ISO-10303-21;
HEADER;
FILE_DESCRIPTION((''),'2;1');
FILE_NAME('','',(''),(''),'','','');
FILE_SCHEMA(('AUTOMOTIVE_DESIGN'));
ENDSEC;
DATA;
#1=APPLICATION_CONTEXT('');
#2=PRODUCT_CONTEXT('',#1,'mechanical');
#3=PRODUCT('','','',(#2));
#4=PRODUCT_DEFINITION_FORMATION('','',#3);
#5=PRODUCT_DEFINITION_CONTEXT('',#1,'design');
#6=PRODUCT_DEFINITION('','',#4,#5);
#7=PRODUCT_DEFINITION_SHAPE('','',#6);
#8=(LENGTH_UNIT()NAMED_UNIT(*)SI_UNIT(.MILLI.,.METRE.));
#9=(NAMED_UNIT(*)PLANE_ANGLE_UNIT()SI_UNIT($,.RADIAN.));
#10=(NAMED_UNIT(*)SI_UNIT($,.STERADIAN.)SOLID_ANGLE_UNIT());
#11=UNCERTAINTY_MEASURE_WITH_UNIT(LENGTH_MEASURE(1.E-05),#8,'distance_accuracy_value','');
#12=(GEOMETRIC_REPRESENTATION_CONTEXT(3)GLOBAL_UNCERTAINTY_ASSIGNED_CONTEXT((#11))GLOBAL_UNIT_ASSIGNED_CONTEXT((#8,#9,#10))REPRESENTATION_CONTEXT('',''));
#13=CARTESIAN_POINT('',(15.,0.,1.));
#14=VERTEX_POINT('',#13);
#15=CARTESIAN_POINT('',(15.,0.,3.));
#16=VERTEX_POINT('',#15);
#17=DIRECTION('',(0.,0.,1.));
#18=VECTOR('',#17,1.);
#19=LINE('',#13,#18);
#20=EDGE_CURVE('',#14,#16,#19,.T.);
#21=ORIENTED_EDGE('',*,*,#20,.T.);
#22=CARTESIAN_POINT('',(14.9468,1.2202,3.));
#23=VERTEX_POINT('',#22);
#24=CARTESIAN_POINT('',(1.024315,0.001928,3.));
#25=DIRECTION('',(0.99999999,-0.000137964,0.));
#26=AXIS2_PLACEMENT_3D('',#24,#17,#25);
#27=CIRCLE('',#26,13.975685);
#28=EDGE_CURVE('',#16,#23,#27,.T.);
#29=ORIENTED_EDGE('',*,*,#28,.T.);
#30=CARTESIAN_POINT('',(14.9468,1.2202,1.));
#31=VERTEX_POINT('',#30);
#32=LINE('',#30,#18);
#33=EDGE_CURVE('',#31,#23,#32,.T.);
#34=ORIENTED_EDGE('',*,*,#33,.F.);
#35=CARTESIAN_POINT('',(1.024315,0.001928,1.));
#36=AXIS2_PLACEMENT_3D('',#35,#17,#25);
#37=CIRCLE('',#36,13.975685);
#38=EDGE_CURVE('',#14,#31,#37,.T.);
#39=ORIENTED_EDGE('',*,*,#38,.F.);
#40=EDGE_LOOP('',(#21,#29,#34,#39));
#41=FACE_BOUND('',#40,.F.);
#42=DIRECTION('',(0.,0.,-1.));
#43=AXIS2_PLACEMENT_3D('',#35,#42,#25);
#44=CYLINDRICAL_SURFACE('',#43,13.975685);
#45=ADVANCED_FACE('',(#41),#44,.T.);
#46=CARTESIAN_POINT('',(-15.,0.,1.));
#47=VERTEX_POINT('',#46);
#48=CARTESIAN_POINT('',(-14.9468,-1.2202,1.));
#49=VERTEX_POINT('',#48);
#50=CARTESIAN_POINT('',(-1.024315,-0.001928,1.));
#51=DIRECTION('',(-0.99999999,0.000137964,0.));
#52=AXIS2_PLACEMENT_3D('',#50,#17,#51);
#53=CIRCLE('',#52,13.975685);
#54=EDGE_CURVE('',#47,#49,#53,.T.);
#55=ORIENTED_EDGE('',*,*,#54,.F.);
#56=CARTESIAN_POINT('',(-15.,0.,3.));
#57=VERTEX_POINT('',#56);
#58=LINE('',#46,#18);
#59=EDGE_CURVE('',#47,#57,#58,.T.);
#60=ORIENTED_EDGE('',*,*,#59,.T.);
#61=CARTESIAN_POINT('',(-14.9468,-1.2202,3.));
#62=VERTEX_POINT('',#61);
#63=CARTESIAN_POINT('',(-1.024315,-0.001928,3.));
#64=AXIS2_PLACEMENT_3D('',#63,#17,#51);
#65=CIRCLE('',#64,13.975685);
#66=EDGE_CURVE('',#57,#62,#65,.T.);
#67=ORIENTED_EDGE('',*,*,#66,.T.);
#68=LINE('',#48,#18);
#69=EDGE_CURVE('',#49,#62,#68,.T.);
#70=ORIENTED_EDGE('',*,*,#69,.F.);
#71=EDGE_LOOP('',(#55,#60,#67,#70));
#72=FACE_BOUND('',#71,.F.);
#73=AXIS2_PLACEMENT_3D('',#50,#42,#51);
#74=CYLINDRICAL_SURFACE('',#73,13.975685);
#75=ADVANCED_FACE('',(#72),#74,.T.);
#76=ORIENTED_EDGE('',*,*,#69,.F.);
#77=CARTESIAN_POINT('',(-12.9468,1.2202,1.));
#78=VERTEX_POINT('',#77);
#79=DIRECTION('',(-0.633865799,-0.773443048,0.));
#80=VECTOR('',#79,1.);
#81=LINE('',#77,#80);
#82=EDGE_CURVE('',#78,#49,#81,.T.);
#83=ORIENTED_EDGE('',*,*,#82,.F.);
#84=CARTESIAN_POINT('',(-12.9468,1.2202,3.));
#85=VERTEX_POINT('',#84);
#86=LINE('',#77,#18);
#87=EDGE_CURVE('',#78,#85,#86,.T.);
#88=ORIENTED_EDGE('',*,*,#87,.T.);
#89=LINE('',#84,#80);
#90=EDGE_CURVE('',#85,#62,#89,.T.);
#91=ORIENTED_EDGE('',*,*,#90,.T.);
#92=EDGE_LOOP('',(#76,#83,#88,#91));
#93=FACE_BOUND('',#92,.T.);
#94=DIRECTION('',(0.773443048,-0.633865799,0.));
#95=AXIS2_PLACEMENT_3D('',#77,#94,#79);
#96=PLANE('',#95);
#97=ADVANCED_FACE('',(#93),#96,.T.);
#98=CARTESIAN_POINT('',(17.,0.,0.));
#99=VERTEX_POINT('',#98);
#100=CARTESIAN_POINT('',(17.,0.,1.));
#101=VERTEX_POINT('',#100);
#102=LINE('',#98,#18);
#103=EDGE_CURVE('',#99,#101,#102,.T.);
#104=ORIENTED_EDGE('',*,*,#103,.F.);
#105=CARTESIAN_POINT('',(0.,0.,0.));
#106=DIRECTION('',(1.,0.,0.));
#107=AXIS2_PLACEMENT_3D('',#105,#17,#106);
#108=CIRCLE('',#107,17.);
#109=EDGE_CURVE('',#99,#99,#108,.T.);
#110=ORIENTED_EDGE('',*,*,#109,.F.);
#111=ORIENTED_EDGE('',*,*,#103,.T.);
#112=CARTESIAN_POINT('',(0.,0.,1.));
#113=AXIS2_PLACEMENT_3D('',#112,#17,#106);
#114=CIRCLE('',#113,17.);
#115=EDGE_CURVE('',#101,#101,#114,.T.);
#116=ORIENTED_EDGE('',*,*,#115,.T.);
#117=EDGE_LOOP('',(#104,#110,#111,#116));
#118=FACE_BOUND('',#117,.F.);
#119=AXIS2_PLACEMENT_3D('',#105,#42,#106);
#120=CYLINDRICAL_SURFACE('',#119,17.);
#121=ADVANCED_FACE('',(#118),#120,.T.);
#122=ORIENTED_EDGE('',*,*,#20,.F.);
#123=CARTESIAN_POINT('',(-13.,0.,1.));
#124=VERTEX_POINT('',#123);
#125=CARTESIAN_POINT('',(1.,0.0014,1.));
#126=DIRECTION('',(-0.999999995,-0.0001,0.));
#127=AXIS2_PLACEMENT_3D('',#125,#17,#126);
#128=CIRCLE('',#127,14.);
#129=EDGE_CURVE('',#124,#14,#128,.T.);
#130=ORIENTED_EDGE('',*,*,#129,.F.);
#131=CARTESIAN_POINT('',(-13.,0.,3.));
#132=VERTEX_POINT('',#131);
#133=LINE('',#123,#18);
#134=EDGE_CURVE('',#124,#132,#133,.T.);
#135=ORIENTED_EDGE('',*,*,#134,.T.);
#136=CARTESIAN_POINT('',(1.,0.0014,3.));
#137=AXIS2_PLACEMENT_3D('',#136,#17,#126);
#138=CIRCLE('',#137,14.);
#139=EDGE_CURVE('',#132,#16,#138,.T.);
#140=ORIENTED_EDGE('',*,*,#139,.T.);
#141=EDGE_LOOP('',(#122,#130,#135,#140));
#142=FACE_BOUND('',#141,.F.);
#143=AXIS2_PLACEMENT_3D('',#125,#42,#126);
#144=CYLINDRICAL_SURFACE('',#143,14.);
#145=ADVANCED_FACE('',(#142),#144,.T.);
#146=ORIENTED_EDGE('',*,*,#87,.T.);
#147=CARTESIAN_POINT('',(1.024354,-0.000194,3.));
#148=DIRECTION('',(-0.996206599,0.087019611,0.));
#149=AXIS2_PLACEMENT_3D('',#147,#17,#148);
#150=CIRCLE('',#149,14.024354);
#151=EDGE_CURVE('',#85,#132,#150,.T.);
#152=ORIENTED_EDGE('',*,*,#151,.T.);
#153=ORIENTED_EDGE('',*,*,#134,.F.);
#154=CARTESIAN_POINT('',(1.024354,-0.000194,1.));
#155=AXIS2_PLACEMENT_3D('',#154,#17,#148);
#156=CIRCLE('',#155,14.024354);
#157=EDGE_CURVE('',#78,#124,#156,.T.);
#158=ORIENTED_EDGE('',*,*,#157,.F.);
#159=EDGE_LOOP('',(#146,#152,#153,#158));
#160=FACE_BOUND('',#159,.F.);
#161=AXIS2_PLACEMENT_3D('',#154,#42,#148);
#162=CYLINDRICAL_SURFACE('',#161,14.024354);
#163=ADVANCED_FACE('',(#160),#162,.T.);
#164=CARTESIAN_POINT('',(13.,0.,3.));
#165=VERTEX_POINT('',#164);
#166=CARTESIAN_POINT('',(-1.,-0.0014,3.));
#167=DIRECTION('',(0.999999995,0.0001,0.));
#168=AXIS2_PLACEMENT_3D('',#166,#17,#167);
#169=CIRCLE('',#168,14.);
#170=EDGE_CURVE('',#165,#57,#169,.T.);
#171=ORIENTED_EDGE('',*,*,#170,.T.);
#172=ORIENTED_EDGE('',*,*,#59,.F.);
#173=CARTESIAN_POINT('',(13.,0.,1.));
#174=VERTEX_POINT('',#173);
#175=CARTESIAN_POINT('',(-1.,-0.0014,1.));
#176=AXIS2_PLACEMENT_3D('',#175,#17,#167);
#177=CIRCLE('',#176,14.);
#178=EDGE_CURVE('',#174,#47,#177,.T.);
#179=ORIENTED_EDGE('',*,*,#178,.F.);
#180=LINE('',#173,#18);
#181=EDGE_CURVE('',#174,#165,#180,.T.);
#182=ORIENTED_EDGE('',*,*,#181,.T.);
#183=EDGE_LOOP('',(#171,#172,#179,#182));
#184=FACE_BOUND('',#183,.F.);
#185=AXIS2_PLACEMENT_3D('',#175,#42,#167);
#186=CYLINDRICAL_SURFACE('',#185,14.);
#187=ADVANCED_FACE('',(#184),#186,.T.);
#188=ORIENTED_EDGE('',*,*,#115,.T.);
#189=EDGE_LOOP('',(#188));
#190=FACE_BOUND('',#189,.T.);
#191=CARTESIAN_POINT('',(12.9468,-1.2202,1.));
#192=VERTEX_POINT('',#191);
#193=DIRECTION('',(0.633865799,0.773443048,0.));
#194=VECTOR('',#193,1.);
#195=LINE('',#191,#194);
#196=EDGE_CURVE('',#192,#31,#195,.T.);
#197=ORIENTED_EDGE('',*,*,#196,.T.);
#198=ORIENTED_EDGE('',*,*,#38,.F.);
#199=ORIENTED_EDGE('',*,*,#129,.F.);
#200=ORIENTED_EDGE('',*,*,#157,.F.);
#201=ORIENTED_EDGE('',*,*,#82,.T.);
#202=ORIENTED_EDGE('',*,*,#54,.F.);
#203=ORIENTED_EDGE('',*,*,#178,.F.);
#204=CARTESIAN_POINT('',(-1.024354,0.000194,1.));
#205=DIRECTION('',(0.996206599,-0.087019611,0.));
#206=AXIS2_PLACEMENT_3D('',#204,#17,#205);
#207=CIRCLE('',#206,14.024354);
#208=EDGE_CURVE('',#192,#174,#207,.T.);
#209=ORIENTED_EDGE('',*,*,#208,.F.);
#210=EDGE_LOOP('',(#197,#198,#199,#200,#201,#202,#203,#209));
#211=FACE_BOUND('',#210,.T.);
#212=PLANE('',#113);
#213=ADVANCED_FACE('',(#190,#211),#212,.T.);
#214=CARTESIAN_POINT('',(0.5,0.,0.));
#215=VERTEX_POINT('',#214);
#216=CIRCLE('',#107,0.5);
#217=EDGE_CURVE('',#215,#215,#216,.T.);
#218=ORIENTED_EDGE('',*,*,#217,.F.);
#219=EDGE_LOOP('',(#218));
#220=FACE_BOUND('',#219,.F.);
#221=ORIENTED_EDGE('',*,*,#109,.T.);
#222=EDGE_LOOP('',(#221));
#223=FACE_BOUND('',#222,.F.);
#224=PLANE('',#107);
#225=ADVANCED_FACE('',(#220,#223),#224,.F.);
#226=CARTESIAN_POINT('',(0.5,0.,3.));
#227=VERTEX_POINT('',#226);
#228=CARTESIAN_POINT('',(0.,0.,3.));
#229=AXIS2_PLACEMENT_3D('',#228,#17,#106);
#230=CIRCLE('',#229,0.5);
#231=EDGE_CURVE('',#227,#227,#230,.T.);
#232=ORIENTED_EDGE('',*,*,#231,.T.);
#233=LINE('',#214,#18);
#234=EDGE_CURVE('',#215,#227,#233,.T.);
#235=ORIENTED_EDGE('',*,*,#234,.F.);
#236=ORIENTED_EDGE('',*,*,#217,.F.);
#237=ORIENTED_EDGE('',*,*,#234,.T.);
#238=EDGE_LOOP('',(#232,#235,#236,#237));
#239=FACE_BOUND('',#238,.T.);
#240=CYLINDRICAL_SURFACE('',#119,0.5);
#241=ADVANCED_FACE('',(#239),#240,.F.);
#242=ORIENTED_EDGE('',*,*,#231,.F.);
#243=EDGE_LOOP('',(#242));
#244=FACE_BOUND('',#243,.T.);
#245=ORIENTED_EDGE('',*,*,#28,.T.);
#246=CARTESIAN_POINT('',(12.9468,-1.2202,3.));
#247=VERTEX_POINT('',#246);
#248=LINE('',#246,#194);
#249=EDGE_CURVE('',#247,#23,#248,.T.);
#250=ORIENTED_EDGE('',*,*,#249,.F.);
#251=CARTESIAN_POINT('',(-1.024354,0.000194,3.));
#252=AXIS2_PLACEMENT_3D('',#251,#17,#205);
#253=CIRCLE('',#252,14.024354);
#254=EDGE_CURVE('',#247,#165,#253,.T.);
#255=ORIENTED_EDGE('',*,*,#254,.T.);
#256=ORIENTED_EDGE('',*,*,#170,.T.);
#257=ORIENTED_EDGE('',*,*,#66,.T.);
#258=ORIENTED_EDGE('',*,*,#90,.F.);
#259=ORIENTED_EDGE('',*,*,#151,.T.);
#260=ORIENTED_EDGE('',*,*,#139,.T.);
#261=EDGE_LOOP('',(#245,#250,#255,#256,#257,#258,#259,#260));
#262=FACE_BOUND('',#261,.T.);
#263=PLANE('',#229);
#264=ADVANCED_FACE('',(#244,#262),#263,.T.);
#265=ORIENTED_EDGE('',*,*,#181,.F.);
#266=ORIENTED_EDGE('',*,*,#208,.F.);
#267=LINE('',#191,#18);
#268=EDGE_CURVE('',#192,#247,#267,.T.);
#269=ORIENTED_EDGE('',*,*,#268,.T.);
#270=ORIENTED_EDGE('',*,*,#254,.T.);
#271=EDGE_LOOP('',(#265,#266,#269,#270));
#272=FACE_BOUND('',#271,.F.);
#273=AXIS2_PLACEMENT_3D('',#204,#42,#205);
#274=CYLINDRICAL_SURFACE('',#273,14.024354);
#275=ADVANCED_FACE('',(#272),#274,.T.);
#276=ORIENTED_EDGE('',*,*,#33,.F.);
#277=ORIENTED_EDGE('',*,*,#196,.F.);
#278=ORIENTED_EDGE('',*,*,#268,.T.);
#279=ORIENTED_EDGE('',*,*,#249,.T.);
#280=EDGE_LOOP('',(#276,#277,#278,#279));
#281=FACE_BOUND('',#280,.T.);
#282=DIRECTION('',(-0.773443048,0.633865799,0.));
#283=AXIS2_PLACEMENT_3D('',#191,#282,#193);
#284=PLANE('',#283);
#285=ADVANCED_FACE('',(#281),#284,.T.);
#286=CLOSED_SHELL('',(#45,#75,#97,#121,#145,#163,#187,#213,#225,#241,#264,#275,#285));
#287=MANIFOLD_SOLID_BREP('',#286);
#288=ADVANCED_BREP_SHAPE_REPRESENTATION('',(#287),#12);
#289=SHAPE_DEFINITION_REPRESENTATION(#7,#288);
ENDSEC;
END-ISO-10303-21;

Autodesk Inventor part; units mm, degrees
ref_plane "YZ Plane" through (0, 0, 0) normal (1, 0, 0) x (0, 1, 0)
ref_plane "XZ Plane" through (0, 0, 0) normal (0, 1, 0) x (-1, 0, 0)
ref_plane "XY Plane" through (0, 0, 0) normal (0, 0, 1) x (1, 0, 0)
sketch "Boceto1" plane through (0, 0, 0) normal (0, 0, 1) x (1, 0, 0)
  circle A0 centre (0, 0) radius 17
  circle A1 centre (0, 0) radius 0.5
  dimension "d0" = 34
  dimension "d1" = 1
extrude "Extrusión1" add sketch "Boceto1" along normal blind 1
sketch "Boceto2" plane through (0, 0, 1) normal (0, 0, 1) x (1, 0, 0)
  circle A0 centre (0, 0) radius 0.5 projected
  circle A1 centre (0, 0) radius 17 projected
  line L0 (0, 0) -> (20, 0) construction
  line L1 (0, 0) -> (20, 0) construction
  arc A2 (13, 0) -> (-15, 0) centre (-1, -0.0014) ccw
  arc A3 (12.9468, -1.2202) -> (13, 0) centre (-1, -0.0014) ccw
  line L2 (13, 0) -> (-1, -0.0014) construction
  line L3 (12.9468, -1.2202) -> (-1, -0.0014) construction
  arc A4 (-15, 0) -> (-14.9468, -1.2202) centre (-1, -0.0014) ccw
  line L4 (-15, 0) -> (-1, -0.0014) construction
  line L5 (-14.9468, -1.2202) -> (-1, -0.0014) construction
  arc A5 (-13, 0) -> (15, 0) centre (1, 0.0014) ccw
  arc A6 (-12.9468, 1.2202) -> (-13, 0) centre (1, 0.0014) ccw
  line L6 (-13, 0) -> (1, 0.0014) construction
  line L7 (-12.9468, 1.2202) -> (1, 0.0014) construction
  arc A7 (15, 0) -> (14.9468, 1.2202) centre (1, 0.0014) ccw
  line L8 (15, 0) -> (1, 0.0014) construction
  line L9 (14.9468, 1.2202) -> (1, 0.0014) construction
  line L10 (-12.9468, 1.2202) -> (-14.9468, -1.2202)
  line L11 (12.9468, -1.2202) -> (14.9468, 1.2202)
  dimension "d15" = 28
  dimension "d16" = 14
  dimension "d18" = 14
  dimension "d19" = 5
  dimension "d20" = 14
  dimension "d21" = 5
  dimension "d24" = 360
  dimension "d26" = 15
extrude "Extrusión2" add sketch "Boceto2" along normal blind 2 contours A3 L11 A7 A5 A6 L10 A4 A2
properties part number "Rueda superior"
